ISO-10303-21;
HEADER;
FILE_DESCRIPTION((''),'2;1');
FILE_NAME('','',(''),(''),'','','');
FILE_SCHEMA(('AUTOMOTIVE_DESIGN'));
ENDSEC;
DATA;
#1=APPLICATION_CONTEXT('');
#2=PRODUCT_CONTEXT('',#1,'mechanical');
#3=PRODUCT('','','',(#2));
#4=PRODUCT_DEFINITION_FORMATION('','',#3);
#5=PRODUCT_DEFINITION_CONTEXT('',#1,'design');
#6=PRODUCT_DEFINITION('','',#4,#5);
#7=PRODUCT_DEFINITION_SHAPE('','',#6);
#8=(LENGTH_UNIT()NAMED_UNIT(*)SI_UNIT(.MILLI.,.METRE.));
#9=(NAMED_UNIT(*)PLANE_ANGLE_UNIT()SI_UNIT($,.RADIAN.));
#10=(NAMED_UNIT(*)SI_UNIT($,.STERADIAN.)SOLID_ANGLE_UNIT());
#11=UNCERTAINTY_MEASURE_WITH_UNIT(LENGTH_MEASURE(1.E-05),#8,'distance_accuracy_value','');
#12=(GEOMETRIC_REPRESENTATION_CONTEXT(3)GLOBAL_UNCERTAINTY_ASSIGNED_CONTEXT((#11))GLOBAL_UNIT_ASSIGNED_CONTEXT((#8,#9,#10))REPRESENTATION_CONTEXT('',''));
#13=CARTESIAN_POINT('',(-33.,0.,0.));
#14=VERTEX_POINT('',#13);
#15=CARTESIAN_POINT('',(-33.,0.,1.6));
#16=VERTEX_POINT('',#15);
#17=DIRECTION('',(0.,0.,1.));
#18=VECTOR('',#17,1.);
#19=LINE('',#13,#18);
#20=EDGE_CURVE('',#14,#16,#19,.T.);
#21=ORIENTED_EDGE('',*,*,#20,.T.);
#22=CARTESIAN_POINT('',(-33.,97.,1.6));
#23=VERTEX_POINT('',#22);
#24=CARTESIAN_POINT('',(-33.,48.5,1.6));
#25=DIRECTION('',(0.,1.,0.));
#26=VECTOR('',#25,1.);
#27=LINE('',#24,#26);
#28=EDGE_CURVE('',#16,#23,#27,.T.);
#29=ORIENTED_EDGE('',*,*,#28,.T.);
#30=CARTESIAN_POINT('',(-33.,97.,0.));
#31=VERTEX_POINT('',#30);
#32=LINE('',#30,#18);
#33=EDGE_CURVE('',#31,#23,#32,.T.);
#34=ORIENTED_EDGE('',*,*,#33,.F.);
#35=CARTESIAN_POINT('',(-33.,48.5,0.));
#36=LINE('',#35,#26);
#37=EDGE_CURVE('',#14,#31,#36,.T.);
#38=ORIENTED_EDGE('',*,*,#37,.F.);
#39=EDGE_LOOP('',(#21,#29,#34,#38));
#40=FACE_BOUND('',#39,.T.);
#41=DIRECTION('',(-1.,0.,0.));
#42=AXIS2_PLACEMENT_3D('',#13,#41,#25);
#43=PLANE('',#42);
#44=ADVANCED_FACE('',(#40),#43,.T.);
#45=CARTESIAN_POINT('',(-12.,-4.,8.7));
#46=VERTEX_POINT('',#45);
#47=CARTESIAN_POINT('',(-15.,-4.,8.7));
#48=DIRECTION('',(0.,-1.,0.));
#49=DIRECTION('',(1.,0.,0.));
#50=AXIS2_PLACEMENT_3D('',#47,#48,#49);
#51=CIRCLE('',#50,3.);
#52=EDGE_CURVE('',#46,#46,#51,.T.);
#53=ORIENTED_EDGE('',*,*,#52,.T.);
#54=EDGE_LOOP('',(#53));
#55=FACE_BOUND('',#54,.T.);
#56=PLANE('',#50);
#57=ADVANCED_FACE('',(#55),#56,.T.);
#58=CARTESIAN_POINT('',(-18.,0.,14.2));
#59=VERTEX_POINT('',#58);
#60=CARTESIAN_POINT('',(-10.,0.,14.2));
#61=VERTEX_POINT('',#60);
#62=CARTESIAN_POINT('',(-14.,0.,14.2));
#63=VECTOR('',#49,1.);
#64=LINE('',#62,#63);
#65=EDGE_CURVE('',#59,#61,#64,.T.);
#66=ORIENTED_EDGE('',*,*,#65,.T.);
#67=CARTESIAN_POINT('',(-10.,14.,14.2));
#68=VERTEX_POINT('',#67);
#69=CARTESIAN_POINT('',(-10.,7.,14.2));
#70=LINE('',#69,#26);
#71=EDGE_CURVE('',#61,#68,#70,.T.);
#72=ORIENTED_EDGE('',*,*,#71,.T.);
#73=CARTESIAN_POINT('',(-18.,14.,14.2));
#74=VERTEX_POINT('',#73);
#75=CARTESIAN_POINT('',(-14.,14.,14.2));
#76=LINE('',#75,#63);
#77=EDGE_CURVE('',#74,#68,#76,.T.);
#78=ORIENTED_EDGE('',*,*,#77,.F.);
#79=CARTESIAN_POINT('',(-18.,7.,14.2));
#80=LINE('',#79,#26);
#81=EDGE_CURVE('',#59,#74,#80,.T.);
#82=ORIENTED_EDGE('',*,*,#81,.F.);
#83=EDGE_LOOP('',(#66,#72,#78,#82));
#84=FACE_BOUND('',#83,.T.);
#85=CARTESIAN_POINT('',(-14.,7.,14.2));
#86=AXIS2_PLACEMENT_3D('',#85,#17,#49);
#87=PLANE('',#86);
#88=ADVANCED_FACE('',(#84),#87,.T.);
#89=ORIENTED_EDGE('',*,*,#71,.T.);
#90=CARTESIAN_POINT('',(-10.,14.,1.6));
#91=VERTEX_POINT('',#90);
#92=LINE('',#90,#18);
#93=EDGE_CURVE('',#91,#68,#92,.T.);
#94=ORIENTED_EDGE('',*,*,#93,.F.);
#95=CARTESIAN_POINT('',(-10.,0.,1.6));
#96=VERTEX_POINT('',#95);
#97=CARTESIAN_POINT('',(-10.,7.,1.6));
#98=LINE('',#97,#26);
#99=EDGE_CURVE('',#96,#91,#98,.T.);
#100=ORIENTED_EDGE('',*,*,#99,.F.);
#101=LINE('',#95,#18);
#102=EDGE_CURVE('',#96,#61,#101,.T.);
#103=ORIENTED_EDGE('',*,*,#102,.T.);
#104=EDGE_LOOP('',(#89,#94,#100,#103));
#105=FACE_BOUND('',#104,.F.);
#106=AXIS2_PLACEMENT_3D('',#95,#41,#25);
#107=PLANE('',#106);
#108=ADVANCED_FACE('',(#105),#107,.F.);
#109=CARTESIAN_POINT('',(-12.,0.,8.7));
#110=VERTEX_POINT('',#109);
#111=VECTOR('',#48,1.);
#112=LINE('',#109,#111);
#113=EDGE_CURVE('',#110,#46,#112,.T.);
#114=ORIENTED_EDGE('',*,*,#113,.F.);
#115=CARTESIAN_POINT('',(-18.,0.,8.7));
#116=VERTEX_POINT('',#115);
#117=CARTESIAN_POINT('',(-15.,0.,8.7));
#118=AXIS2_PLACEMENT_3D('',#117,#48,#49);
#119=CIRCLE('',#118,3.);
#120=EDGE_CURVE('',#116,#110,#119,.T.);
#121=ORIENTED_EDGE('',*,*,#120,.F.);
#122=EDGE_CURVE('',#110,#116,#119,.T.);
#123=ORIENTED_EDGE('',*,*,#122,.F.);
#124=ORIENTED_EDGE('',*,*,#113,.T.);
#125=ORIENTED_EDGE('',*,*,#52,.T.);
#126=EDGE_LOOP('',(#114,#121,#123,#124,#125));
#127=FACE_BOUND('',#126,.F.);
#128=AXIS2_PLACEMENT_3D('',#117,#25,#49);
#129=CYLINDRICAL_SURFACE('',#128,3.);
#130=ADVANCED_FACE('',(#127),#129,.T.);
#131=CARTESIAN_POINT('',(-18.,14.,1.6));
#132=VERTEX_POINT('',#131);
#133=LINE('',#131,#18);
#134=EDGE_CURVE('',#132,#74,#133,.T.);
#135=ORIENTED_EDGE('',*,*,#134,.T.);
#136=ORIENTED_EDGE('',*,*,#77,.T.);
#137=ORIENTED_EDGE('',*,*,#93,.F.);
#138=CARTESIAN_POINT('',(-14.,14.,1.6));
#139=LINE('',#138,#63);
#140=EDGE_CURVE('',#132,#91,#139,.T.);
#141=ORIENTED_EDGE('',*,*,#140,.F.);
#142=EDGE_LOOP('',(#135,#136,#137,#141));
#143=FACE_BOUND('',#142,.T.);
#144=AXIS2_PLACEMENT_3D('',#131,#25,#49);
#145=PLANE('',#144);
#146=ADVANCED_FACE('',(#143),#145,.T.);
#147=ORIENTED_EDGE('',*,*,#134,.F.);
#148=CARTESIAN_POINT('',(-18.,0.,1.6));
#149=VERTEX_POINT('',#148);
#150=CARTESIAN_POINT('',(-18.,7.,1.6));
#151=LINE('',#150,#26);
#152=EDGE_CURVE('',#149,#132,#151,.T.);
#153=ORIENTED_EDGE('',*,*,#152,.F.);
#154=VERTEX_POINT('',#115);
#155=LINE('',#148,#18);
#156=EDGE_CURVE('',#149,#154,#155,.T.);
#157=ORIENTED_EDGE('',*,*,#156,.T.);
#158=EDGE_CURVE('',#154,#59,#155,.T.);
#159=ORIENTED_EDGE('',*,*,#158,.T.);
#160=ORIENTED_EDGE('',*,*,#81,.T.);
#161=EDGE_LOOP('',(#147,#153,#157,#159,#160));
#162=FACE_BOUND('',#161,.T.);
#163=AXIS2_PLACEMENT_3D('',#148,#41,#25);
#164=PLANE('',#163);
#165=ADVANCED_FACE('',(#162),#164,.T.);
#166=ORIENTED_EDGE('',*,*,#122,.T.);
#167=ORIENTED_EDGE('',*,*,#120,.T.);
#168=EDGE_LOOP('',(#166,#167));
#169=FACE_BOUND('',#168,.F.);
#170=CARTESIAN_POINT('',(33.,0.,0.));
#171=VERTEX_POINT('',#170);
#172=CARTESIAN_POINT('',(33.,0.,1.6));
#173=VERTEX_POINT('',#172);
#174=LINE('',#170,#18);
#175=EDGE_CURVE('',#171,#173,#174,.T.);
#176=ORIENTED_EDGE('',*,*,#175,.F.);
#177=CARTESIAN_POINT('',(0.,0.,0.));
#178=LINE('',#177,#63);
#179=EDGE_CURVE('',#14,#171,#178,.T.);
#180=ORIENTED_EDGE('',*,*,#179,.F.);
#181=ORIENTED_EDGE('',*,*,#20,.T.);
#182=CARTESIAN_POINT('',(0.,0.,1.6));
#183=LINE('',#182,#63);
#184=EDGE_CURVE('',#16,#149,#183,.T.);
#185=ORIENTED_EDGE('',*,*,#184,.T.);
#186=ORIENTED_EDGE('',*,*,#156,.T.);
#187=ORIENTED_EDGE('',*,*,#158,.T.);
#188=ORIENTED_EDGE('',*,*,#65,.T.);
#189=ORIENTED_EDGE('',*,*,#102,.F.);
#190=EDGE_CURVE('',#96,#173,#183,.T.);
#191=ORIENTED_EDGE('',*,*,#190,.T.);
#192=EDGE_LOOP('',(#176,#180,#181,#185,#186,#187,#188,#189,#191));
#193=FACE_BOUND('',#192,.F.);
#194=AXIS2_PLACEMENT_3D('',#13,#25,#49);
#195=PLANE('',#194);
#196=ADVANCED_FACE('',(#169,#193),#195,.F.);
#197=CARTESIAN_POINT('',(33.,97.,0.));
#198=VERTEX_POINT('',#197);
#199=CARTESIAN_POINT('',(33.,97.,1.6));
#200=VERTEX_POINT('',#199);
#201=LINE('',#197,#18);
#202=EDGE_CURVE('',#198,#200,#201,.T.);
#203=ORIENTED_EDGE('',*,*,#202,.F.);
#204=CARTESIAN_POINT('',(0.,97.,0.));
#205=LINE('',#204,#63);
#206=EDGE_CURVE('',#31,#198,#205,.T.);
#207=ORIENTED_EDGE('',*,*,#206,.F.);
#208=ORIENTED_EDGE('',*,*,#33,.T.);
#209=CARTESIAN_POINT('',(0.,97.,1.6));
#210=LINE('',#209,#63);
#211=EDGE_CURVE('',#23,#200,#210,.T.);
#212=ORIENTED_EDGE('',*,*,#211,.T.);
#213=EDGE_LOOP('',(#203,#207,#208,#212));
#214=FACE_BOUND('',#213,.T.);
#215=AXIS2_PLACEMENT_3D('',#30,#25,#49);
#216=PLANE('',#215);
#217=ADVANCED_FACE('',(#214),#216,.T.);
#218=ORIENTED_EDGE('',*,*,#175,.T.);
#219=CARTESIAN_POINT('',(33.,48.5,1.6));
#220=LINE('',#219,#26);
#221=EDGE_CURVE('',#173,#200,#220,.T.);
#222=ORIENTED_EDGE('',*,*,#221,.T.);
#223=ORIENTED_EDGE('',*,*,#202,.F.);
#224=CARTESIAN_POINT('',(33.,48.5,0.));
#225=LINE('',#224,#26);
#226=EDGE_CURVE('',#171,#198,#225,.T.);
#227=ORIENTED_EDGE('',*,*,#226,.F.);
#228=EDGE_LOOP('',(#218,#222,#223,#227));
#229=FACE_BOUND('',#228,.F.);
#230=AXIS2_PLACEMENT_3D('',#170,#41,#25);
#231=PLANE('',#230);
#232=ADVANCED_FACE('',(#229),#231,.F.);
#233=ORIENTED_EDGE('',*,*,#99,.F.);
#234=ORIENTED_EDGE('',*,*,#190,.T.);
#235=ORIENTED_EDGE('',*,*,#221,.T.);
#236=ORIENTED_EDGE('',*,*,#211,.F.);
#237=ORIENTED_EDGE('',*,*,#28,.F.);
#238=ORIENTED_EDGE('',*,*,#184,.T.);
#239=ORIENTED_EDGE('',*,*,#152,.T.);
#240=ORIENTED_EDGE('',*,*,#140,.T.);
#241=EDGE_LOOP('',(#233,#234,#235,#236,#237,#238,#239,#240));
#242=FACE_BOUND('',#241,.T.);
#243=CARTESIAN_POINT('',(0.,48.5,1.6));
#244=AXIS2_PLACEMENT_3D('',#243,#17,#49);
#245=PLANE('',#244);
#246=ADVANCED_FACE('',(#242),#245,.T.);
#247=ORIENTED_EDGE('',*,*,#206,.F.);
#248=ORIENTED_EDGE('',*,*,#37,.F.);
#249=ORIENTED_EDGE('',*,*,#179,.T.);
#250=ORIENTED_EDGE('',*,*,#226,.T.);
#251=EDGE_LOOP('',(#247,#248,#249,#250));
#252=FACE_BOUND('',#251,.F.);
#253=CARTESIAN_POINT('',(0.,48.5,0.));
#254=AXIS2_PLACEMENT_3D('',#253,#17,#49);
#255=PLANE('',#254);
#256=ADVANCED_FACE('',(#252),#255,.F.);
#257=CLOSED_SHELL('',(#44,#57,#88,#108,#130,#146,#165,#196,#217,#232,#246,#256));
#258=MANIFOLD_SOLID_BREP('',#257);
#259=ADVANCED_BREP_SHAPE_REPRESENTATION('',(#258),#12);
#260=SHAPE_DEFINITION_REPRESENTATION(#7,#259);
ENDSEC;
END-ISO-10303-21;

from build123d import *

# Parameters (mm, degrees)
F0_W     = 66
F0_H     = 97
F1_DEPTH = 1.6
F2_W     = 8
F2_H     = 14
F3_DEPTH = 12.6
F5_DEPTH = 4


with BuildPart() as f1:
    # F0 (on Top) → F1 (new body)
    with BuildSketch(Plane.XY):
        with Locations((0, 48.5)):
            Rectangle(F0_W, F0_H)
    extrude(amount=F1_DEPTH)

    # F2 (on face) → F3 (join)
    with BuildSketch(Plane.XY.offset(1.6)):
        with Locations((-14, 7)):
            Rectangle(F2_W, F2_H)
    extrude(amount=F3_DEPTH)

    # F4 (on face) → F5 (join)
    with BuildSketch(Plane.XZ):
        with BuildLine():
            ThreePointArc((-18, 8.7), (-15, 5.7), (-12, 8.7))
            ThreePointArc((-12, 8.7), (-15, 11.7), (-18, 8.7))
        make_face()
    extrude(amount=F5_DEPTH)


solid = f1.part
